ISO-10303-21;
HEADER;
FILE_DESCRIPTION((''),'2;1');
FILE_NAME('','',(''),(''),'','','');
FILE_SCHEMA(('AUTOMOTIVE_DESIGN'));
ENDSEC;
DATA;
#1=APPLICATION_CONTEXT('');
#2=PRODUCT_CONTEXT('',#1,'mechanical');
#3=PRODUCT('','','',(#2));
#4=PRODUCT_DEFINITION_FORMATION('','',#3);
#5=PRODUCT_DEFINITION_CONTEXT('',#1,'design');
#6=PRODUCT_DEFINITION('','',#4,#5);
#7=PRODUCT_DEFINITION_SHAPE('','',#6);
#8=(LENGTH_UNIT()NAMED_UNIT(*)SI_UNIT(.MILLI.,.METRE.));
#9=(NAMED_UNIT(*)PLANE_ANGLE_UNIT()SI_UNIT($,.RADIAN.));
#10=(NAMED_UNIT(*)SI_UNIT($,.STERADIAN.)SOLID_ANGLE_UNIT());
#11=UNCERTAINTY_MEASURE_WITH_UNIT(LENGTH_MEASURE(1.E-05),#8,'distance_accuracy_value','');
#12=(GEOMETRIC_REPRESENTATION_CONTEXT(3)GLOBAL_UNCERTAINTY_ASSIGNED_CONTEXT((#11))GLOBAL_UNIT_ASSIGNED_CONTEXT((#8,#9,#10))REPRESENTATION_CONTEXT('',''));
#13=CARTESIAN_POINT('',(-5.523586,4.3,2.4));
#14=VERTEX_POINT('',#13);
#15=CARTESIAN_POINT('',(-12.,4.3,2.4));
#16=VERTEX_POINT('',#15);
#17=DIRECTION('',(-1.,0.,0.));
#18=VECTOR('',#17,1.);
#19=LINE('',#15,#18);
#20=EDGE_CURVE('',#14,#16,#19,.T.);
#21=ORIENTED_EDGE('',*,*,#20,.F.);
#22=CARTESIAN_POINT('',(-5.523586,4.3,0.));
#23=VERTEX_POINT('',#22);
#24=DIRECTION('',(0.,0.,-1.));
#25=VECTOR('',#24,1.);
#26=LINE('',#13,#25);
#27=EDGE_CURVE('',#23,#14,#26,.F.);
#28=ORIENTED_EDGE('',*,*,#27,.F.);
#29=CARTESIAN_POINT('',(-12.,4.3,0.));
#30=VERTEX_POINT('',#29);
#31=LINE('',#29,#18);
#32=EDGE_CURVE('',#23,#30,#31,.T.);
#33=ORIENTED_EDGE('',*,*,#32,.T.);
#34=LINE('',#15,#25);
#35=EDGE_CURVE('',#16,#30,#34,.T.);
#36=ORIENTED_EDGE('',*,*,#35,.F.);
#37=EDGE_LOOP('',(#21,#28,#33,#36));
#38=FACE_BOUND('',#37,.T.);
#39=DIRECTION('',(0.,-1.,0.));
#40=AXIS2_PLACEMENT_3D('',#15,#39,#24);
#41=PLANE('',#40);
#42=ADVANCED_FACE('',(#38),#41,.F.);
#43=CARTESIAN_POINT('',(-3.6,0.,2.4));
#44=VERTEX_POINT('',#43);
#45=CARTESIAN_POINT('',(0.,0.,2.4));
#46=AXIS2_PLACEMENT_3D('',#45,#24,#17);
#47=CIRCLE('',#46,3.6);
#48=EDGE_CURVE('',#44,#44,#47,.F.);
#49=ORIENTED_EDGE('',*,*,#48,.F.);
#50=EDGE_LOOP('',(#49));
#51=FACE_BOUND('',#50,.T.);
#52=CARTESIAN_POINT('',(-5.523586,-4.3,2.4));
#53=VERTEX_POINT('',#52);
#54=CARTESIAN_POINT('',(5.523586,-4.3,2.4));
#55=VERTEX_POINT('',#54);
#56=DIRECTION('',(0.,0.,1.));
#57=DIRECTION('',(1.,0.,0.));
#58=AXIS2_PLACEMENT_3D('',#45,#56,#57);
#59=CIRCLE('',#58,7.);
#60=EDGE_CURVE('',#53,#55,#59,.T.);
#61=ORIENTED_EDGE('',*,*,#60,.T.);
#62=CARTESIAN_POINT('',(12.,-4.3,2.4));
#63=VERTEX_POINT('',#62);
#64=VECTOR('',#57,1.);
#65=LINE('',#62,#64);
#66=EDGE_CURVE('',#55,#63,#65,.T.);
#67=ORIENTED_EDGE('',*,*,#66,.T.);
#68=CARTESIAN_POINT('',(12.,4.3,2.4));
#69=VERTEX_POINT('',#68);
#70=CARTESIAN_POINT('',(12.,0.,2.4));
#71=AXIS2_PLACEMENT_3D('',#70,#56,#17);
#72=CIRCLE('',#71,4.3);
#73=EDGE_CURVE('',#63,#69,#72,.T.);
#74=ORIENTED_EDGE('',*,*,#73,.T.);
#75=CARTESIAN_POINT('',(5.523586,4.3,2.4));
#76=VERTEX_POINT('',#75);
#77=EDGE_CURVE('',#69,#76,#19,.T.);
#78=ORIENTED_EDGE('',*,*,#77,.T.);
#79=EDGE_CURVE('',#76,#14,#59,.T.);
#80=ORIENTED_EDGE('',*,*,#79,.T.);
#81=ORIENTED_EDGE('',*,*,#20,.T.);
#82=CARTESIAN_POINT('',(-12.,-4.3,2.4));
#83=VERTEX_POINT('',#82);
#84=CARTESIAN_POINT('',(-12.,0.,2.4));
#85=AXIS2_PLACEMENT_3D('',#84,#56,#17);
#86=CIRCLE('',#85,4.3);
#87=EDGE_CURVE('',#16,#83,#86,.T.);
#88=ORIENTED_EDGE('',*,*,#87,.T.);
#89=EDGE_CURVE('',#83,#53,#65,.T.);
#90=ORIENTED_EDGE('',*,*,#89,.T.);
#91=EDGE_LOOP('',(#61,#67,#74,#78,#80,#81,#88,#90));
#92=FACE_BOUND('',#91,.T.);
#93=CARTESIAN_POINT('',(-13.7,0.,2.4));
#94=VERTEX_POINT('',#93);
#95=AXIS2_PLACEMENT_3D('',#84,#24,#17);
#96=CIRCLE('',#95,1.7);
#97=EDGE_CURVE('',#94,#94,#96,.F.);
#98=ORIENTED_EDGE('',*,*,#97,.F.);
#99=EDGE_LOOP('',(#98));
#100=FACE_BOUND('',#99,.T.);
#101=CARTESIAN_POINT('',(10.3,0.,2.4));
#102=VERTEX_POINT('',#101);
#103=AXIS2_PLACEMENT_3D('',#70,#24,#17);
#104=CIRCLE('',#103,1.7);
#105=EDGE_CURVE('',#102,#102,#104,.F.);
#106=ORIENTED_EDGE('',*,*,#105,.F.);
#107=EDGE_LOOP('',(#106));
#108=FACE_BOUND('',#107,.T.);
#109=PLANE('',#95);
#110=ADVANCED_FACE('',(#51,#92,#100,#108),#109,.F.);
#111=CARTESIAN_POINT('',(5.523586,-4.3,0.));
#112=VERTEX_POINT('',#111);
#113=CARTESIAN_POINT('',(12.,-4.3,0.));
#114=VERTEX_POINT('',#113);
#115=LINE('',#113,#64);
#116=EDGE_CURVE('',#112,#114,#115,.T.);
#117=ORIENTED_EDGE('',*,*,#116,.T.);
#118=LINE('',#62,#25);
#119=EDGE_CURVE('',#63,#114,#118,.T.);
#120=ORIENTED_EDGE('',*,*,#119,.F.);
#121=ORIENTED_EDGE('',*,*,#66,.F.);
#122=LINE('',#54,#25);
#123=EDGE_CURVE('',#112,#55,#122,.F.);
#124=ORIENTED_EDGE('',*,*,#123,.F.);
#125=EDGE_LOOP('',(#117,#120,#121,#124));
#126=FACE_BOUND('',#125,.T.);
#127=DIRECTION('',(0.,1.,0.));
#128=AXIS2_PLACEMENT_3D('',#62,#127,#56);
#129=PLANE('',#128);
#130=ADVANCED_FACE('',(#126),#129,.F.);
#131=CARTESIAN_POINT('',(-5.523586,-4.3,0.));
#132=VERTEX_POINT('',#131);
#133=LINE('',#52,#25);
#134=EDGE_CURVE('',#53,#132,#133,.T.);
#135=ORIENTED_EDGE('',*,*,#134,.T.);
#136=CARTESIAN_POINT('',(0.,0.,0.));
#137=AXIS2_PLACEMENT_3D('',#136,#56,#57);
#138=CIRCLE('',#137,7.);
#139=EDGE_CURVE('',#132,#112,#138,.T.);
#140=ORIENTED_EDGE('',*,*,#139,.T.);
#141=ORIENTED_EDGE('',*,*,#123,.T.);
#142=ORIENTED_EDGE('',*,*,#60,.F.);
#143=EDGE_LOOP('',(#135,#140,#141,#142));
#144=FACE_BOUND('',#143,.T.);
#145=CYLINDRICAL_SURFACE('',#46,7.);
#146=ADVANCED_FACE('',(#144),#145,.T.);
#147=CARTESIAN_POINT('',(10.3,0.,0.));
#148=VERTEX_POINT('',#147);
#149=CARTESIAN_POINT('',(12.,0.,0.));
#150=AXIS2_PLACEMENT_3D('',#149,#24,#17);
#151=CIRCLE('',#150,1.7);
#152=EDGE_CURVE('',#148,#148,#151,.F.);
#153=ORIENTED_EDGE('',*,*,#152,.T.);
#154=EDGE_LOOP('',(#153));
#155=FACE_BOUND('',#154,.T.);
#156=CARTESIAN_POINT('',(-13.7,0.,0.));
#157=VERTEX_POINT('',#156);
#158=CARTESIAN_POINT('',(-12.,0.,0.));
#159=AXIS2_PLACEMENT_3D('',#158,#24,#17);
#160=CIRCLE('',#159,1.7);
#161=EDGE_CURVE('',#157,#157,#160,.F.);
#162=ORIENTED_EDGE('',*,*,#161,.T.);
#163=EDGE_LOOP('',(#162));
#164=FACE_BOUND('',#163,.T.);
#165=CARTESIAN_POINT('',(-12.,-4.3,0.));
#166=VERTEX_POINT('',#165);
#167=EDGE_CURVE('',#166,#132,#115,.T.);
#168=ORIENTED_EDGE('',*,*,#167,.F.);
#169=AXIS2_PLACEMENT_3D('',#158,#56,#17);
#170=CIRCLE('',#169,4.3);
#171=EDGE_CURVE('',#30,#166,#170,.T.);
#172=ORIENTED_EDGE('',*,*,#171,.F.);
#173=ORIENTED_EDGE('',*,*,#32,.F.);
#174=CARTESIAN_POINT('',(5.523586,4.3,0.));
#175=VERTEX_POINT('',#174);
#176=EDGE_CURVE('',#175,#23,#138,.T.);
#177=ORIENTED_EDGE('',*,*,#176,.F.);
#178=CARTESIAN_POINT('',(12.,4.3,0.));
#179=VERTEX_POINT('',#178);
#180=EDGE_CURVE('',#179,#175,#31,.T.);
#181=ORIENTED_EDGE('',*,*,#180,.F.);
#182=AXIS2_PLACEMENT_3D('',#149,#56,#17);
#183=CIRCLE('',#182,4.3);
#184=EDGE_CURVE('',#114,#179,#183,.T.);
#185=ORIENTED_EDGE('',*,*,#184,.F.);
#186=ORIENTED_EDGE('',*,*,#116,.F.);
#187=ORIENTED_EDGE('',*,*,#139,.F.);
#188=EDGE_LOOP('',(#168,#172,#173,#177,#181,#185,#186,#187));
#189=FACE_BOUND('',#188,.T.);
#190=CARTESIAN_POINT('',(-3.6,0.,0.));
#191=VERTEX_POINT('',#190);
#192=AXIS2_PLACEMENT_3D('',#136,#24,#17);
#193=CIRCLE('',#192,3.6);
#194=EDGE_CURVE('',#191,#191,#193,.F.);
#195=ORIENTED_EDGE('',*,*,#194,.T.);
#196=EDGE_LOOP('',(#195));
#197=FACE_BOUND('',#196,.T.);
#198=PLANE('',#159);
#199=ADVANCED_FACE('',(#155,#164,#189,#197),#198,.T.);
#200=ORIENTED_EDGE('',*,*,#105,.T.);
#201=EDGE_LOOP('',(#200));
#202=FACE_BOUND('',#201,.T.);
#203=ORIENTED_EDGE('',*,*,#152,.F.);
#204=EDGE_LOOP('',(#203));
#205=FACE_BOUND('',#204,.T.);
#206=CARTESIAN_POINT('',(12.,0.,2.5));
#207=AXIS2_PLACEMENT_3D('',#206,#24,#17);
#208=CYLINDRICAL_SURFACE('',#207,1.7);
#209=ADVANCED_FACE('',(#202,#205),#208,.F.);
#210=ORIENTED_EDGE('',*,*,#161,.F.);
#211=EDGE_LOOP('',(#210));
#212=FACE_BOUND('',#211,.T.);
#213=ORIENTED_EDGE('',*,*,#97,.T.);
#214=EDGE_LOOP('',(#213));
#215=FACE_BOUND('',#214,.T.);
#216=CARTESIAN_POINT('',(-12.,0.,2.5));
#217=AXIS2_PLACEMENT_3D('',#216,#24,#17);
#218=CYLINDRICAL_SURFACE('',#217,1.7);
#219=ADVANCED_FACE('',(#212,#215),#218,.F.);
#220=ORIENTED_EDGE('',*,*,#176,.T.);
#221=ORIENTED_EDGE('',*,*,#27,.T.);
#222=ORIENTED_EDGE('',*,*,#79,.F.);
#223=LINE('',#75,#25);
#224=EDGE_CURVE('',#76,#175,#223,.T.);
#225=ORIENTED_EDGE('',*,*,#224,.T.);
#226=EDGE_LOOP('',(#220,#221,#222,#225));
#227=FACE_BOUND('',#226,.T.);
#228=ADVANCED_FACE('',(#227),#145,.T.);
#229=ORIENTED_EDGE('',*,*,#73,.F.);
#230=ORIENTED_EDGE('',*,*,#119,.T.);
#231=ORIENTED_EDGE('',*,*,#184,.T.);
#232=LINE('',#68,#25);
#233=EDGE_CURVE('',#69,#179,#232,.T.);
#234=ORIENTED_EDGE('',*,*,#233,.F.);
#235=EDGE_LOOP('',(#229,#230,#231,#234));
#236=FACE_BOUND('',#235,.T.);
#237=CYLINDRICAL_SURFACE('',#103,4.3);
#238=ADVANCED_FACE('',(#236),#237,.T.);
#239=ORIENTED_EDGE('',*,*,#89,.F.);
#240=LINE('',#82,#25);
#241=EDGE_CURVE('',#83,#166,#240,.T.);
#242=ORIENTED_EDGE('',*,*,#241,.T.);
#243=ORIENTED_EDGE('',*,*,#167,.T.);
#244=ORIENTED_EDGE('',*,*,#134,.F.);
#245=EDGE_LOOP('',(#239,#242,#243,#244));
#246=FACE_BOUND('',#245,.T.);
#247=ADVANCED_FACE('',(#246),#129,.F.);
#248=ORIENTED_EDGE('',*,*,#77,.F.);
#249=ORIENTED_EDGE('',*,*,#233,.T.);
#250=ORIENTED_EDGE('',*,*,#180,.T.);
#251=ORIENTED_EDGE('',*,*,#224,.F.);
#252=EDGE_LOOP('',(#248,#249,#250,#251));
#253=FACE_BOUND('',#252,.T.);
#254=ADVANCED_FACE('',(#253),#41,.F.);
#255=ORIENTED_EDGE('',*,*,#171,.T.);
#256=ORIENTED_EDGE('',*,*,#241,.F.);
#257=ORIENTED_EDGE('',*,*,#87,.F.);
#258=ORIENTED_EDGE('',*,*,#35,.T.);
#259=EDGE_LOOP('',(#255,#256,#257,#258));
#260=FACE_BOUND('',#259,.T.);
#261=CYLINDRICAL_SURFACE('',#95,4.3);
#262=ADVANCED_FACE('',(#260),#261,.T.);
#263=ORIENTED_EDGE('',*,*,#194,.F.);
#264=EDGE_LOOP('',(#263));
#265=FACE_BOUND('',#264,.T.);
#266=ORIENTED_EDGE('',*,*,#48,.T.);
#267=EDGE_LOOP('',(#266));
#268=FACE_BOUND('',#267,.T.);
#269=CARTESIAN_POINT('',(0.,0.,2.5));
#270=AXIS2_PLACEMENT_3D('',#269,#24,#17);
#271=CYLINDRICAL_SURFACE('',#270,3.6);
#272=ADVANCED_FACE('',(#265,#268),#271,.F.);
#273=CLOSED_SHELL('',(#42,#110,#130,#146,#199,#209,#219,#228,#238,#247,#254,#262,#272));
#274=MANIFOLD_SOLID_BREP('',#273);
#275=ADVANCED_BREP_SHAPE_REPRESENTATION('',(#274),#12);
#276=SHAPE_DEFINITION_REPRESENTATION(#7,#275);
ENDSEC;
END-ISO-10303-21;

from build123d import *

# Parameters (mm, degrees)
F_01_REMOVABLE_TWO_BOLT_NUT_KEEPER_DEPTH       = 2.4
S02_NUT_RETAINING_FACE_R                       = 7
F_02_NUT_RETAINING_FACE_DEPTH                  = 2.4
F_03_START                                     = -0.1
S03_SCREW_END_AND_TWO_M3_FASTENER_HOLE_R       = 3.6
S03_SCREW_END_AND_TWO_M3_FASTENER_HOLE_R_2     = 1.7
F_03_SCREW_END_AND_TWO_M3_FASTENER_HOLES_DEPTH = 2.6


with BuildPart() as part:
    # S01 - Removable two-bolt nut keeper → 01 - Removable two-bolt nut keeper (new body)
    with BuildSketch(Plane.XY):
        with BuildLine():
            Line((-12, 4.3), (12, 4.3))
            ThreePointArc((12, 4.3), (16.3, 0), (12, -4.3))
            Line((12, -4.3), (-12, -4.3))
            ThreePointArc((-12, -4.3), (-16.3, 0), (-12, 4.3))
        make_face()
    extrude(amount=F_01_REMOVABLE_TWO_BOLT_NUT_KEEPER_DEPTH)

    # S02 - Nut retaining face → 02 - Nut retaining face (add)
    with BuildSketch(Plane.XY):
        Circle(S02_NUT_RETAINING_FACE_R)
    extrude(amount=F_02_NUT_RETAINING_FACE_DEPTH)

    # S03 - Screw end and two M3 fastener holes → 03 - Screw end and two M3 fastener holes (cut)
    with BuildSketch(Plane.XY.offset(F_03_START)):
        with Locations(Location((0, 0, 0), (0, 0, 180))):
            Circle(S03_SCREW_END_AND_TWO_M3_FASTENER_HOLE_R)
        with Locations(Location((-12, 0, 0), (0, 0, 180))):
            Circle(S03_SCREW_END_AND_TWO_M3_FASTENER_HOLE_R_2)
        with Locations(Location((12, 0, 0), (0, 0, 180))):
            Circle(S03_SCREW_END_AND_TWO_M3_FASTENER_HOLE_R_2)
    extrude(amount=F_03_SCREW_END_AND_TWO_M3_FASTENER_HOLES_DEPTH, mode=Mode.SUBTRACT)


solid = part.part
